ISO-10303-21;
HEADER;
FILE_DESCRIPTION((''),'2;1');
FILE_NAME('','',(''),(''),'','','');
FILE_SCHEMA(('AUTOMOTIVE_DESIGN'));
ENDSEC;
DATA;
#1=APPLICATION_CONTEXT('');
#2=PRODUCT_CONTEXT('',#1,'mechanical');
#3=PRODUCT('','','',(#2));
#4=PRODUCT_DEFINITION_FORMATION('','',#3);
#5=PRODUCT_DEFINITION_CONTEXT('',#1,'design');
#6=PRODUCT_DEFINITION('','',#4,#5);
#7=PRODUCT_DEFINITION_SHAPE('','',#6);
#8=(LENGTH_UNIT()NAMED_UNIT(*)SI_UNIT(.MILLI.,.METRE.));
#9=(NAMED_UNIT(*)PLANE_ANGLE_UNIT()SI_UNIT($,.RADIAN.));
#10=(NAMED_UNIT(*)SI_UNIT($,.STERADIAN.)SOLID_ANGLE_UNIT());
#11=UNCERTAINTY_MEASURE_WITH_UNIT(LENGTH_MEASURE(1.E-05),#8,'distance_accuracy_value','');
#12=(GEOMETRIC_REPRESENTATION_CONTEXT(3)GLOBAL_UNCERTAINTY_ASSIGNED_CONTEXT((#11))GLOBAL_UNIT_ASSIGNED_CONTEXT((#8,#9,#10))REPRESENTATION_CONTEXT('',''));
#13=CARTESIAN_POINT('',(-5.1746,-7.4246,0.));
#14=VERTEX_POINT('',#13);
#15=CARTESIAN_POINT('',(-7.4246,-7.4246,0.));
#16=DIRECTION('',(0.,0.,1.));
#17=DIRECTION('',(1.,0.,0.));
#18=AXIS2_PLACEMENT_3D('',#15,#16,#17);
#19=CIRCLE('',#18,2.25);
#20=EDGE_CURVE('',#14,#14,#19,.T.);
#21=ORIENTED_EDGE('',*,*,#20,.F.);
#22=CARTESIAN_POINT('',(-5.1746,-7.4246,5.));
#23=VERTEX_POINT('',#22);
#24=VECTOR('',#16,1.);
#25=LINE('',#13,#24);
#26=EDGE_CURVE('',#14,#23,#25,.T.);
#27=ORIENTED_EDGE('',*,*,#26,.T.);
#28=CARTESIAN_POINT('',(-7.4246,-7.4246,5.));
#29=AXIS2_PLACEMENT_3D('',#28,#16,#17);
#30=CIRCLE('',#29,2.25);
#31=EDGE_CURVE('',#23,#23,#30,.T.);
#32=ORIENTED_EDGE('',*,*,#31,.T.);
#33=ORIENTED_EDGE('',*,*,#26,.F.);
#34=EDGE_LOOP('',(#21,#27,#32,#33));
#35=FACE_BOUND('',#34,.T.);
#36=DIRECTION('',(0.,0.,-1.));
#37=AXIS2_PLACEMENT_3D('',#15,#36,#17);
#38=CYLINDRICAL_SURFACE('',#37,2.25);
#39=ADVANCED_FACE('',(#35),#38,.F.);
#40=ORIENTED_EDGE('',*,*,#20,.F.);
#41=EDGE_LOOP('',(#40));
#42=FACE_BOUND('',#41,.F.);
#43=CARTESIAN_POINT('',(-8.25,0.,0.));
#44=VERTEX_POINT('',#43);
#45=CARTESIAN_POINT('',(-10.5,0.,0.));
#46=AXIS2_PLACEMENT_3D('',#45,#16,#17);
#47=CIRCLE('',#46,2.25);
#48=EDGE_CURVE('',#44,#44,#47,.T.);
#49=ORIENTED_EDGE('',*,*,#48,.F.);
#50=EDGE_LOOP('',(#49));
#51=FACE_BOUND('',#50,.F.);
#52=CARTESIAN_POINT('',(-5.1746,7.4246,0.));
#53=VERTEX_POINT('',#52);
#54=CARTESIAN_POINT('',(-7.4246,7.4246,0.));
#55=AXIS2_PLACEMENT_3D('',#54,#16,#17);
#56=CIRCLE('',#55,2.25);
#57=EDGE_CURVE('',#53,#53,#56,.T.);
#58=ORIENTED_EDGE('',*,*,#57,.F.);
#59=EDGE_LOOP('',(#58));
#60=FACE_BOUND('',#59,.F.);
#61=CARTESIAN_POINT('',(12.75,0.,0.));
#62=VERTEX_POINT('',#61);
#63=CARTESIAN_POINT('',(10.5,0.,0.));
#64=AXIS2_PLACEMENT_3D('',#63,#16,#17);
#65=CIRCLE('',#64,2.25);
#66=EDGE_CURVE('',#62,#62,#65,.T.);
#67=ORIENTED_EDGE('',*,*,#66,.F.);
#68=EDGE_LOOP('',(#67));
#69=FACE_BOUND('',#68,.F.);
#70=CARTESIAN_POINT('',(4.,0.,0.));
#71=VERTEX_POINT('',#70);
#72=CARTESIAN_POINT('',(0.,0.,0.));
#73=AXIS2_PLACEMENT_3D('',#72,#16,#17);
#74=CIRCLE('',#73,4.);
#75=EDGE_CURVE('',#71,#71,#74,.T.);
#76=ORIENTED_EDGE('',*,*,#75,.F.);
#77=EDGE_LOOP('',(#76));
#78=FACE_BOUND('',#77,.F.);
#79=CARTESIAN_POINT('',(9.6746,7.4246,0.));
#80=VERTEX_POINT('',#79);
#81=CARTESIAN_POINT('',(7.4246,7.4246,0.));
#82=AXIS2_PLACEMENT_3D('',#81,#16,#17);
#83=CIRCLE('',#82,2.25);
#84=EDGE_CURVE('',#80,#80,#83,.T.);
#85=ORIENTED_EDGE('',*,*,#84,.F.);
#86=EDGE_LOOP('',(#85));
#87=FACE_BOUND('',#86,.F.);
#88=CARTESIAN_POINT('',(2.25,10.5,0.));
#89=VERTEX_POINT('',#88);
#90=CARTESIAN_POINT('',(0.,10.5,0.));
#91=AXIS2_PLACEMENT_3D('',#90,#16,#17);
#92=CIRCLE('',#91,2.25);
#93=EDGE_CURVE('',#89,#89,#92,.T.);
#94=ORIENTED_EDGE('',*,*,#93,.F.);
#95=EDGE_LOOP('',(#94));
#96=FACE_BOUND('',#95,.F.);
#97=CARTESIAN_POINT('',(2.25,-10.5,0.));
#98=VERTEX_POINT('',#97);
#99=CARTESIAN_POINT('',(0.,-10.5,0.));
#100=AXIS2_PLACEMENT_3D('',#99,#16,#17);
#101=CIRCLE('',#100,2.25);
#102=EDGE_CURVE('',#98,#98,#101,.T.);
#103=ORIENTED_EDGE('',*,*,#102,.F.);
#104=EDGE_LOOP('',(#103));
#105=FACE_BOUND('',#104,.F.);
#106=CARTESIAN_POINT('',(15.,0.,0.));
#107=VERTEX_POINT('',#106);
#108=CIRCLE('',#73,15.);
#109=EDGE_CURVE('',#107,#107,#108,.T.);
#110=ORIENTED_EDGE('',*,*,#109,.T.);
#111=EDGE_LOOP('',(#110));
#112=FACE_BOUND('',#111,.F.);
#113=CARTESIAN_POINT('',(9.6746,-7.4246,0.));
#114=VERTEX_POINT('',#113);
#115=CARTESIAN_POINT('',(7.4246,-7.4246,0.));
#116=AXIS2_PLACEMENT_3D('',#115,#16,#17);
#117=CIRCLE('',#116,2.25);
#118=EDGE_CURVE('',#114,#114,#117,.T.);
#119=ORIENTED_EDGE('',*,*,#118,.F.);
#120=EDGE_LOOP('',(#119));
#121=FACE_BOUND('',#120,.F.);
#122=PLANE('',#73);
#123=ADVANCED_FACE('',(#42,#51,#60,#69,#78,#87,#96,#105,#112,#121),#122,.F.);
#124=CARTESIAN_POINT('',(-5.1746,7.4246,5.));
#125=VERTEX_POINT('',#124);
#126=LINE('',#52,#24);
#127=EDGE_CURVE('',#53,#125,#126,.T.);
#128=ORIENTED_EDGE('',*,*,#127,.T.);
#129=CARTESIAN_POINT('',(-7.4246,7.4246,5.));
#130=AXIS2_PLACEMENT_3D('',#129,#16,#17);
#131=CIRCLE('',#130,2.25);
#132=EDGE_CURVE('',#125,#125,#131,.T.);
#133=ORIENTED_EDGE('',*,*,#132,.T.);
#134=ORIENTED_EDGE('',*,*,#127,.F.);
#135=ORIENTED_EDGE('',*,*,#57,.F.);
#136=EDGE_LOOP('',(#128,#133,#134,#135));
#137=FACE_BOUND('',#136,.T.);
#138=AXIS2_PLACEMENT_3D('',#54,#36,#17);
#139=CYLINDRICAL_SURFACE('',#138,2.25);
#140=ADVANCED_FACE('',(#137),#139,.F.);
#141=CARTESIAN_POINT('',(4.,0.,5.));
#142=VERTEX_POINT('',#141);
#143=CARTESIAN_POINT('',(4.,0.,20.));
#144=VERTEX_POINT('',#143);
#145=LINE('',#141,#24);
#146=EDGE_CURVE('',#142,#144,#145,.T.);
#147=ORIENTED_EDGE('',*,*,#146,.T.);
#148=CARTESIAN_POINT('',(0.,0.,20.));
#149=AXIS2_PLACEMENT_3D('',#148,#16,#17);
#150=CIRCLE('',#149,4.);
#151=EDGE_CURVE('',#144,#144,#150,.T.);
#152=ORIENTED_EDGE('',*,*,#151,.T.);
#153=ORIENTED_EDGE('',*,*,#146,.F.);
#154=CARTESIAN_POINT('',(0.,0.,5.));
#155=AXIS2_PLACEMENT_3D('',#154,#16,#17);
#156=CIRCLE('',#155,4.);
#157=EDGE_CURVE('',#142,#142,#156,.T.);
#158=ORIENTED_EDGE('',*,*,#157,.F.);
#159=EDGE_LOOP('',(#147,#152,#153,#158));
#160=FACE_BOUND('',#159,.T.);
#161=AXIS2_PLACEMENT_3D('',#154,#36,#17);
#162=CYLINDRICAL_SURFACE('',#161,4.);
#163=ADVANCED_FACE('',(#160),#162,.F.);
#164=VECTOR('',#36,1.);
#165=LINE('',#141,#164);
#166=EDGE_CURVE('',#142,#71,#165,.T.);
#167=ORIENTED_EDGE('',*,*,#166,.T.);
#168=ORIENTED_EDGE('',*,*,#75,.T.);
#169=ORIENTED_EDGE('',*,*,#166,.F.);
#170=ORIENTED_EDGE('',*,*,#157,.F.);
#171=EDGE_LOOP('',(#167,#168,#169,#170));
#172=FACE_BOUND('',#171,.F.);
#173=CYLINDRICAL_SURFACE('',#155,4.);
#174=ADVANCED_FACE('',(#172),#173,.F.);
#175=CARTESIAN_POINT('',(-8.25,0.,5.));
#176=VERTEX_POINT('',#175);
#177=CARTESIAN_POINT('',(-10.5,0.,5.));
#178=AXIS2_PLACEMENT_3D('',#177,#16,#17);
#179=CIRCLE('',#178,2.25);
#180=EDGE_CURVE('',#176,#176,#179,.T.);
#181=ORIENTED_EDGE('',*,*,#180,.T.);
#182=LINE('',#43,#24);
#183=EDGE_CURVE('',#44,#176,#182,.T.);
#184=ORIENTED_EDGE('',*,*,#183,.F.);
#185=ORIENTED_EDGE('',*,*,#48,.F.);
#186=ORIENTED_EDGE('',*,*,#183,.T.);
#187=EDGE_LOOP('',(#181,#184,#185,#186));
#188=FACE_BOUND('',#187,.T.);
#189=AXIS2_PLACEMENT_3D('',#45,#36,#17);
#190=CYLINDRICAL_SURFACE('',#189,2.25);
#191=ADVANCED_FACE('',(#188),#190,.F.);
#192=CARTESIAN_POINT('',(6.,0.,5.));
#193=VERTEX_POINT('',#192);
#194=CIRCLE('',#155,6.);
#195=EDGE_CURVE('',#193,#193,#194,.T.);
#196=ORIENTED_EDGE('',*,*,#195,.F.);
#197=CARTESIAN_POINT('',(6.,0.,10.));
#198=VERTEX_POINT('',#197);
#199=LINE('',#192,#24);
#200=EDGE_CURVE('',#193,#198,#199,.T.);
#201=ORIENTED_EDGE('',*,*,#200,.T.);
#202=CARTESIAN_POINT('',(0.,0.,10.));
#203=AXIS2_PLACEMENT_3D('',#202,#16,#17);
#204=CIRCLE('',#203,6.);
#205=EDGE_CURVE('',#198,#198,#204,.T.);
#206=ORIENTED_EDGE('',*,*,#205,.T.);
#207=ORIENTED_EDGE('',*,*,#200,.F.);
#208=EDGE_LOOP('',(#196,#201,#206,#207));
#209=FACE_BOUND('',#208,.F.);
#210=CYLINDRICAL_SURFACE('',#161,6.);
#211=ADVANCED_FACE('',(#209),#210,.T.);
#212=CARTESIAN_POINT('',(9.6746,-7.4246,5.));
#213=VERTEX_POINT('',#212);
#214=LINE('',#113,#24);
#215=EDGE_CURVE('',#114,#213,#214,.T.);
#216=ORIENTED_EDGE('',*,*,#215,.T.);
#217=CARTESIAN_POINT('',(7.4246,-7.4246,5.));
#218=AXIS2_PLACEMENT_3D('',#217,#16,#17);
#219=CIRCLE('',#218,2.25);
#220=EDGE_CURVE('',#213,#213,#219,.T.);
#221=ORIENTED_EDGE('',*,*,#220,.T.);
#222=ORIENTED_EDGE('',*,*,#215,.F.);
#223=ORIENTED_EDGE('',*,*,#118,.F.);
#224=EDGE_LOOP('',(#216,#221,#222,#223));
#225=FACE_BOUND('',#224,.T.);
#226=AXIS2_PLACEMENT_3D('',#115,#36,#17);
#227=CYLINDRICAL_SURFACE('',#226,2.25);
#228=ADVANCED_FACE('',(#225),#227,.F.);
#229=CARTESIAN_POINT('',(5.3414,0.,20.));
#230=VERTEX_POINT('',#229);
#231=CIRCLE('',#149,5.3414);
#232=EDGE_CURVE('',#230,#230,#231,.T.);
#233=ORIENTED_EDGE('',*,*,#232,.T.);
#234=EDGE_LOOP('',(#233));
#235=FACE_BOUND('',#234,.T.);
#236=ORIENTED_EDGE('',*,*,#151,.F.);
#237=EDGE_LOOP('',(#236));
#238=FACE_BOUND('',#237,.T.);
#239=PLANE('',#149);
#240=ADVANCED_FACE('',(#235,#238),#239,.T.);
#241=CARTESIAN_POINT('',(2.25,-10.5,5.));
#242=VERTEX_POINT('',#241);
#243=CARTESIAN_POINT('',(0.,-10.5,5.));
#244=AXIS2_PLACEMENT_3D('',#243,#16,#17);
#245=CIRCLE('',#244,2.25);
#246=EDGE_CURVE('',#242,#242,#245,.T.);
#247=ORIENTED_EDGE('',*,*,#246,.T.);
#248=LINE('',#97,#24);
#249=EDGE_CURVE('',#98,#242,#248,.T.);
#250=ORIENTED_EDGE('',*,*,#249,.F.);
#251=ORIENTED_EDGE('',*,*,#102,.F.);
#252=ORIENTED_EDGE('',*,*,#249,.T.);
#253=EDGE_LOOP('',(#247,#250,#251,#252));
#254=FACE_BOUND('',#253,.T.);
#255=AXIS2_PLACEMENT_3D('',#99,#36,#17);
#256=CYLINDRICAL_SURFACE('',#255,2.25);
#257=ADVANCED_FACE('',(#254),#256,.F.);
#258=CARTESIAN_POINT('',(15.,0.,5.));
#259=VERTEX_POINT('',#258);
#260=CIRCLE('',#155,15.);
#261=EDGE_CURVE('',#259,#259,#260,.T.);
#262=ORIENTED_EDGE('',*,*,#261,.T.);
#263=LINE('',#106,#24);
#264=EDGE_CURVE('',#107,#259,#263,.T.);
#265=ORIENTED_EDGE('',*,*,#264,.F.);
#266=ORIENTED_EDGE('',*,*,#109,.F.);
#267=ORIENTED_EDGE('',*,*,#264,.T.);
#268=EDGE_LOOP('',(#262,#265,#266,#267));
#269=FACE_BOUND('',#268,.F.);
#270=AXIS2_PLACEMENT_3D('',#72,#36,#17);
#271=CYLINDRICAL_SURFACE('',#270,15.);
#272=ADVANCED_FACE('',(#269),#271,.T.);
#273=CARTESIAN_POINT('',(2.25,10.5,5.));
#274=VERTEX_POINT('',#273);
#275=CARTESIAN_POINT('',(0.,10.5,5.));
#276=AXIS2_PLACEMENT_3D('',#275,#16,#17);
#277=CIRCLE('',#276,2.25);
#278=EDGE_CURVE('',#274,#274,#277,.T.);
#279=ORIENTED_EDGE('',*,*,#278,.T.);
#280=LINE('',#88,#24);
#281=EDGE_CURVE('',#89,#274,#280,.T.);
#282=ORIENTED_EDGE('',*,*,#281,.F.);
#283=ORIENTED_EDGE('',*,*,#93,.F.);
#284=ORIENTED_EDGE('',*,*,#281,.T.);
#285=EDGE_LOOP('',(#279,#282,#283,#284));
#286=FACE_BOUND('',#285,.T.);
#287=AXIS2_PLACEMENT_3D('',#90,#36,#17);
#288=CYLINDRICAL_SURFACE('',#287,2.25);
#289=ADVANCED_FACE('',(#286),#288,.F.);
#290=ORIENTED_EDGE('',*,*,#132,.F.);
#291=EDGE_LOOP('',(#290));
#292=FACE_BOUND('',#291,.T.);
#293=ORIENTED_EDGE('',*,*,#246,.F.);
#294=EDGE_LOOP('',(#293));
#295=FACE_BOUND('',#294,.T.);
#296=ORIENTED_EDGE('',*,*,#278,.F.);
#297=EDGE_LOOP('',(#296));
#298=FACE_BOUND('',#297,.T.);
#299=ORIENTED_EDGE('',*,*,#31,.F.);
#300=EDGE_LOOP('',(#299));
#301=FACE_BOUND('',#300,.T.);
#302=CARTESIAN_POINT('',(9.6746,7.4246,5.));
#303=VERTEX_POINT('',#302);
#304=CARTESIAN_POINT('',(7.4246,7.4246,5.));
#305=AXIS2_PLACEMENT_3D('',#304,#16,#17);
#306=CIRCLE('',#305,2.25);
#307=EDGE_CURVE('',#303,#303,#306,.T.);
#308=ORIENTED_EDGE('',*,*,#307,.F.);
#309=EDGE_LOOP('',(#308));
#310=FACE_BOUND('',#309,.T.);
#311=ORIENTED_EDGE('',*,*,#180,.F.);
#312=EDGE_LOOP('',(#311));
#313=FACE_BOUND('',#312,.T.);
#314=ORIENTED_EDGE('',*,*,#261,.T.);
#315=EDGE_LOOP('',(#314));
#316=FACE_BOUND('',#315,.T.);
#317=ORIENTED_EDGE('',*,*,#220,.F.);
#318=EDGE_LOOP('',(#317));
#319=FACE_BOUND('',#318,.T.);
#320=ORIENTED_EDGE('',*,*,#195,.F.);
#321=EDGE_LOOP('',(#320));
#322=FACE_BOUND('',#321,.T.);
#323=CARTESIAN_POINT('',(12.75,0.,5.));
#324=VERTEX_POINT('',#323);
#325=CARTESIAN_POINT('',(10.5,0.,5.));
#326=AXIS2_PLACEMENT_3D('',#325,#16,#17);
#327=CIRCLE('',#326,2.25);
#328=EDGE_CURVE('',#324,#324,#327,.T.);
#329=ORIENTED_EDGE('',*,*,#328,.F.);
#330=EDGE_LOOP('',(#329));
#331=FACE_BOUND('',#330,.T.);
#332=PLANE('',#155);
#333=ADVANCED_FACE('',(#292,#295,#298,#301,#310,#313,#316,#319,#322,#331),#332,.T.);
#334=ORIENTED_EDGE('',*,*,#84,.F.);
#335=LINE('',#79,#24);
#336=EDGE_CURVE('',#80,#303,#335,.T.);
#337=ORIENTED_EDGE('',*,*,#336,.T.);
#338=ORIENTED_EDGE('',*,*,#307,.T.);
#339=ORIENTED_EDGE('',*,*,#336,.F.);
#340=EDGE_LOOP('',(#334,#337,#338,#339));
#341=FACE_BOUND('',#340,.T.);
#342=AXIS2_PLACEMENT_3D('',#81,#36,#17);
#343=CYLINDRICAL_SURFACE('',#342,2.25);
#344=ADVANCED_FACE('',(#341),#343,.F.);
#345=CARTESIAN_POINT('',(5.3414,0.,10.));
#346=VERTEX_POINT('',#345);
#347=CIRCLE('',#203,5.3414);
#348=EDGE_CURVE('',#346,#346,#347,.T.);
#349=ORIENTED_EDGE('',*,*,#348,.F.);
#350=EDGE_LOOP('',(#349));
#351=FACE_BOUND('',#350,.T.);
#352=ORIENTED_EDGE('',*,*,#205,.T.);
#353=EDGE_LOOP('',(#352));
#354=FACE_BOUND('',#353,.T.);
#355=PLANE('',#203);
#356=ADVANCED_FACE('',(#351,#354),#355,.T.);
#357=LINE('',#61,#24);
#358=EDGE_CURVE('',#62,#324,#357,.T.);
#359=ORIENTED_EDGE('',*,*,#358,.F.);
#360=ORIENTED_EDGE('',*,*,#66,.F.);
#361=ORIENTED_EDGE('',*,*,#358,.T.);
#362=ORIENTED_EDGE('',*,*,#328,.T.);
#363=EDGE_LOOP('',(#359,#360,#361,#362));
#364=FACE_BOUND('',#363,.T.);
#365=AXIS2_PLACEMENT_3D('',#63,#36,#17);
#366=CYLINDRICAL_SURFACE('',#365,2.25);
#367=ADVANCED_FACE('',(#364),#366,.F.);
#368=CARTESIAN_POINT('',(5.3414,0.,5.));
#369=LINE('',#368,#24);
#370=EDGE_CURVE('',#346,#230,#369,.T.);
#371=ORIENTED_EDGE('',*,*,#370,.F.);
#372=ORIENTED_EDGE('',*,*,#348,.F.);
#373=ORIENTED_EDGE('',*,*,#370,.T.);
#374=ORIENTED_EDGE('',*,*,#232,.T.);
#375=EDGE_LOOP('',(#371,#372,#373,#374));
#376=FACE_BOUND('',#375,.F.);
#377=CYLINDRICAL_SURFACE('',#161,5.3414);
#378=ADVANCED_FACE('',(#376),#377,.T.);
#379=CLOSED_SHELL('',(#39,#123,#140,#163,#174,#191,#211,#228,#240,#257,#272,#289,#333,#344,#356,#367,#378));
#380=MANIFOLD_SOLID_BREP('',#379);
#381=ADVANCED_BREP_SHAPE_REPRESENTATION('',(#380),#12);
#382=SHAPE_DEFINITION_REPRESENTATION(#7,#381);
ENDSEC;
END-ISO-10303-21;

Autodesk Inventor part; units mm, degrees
ref_plane "YZ Plane" through (0, 0, 0) normal (1, 0, 0) x (0, 1, 0)
ref_plane "XZ Plane" through (0, 0, 0) normal (0, 1, 0) x (-1, 0, 0)
ref_plane "XY Plane" through (0, 0, 0) normal (0, 0, 1) x (1, 0, 0)
sketch "Sketch1" plane through (0, 0, 0) normal (0, 0, 1) x (1, 0, 0)
  circle A0 centre (0, 0) radius 15
  circle A1 centre (0, 10.5) radius 2.25
  circle A2 centre (-7.4246, 7.4246) radius 2.25
  circle A3 centre (-10.5, 0) radius 2.25
  circle A4 centre (-7.4246, -7.4246) radius 2.25
  circle A5 centre (0, -10.5) radius 2.25
  circle A6 centre (7.4246, -7.4246) radius 2.25
  circle A7 centre (10.5, 0) radius 2.25
  circle A8 centre (7.4246, 7.4246) radius 2.25
  dimension "d0" = 30
  dimension "d2" = 4.5
  dimension "d5" = 360
extrude "Extrusion1" add sketch "Sketch1" along normal blind 5
sketch "Sketch2" plane through (0, 0, 5) normal (0, 0, 1) x (1, 0, 0)
  circle A0 centre (0, 0) radius 4
  circle A1 centre (0, 0) radius 5.3414
  circle A2 centre (0, 0) radius 6
  dimension "d9" = 8
extrude "Extrusion2" add sketch "Sketch2" along normal blind 5 contours A2
extrude "Extrusion3" add sketch "Sketch2" along normal blind 15 contours A1
extrude "Extrusion4" cut sketch "Sketch2" against normal blind 21 contours A0
properties part number "Hubnew"
